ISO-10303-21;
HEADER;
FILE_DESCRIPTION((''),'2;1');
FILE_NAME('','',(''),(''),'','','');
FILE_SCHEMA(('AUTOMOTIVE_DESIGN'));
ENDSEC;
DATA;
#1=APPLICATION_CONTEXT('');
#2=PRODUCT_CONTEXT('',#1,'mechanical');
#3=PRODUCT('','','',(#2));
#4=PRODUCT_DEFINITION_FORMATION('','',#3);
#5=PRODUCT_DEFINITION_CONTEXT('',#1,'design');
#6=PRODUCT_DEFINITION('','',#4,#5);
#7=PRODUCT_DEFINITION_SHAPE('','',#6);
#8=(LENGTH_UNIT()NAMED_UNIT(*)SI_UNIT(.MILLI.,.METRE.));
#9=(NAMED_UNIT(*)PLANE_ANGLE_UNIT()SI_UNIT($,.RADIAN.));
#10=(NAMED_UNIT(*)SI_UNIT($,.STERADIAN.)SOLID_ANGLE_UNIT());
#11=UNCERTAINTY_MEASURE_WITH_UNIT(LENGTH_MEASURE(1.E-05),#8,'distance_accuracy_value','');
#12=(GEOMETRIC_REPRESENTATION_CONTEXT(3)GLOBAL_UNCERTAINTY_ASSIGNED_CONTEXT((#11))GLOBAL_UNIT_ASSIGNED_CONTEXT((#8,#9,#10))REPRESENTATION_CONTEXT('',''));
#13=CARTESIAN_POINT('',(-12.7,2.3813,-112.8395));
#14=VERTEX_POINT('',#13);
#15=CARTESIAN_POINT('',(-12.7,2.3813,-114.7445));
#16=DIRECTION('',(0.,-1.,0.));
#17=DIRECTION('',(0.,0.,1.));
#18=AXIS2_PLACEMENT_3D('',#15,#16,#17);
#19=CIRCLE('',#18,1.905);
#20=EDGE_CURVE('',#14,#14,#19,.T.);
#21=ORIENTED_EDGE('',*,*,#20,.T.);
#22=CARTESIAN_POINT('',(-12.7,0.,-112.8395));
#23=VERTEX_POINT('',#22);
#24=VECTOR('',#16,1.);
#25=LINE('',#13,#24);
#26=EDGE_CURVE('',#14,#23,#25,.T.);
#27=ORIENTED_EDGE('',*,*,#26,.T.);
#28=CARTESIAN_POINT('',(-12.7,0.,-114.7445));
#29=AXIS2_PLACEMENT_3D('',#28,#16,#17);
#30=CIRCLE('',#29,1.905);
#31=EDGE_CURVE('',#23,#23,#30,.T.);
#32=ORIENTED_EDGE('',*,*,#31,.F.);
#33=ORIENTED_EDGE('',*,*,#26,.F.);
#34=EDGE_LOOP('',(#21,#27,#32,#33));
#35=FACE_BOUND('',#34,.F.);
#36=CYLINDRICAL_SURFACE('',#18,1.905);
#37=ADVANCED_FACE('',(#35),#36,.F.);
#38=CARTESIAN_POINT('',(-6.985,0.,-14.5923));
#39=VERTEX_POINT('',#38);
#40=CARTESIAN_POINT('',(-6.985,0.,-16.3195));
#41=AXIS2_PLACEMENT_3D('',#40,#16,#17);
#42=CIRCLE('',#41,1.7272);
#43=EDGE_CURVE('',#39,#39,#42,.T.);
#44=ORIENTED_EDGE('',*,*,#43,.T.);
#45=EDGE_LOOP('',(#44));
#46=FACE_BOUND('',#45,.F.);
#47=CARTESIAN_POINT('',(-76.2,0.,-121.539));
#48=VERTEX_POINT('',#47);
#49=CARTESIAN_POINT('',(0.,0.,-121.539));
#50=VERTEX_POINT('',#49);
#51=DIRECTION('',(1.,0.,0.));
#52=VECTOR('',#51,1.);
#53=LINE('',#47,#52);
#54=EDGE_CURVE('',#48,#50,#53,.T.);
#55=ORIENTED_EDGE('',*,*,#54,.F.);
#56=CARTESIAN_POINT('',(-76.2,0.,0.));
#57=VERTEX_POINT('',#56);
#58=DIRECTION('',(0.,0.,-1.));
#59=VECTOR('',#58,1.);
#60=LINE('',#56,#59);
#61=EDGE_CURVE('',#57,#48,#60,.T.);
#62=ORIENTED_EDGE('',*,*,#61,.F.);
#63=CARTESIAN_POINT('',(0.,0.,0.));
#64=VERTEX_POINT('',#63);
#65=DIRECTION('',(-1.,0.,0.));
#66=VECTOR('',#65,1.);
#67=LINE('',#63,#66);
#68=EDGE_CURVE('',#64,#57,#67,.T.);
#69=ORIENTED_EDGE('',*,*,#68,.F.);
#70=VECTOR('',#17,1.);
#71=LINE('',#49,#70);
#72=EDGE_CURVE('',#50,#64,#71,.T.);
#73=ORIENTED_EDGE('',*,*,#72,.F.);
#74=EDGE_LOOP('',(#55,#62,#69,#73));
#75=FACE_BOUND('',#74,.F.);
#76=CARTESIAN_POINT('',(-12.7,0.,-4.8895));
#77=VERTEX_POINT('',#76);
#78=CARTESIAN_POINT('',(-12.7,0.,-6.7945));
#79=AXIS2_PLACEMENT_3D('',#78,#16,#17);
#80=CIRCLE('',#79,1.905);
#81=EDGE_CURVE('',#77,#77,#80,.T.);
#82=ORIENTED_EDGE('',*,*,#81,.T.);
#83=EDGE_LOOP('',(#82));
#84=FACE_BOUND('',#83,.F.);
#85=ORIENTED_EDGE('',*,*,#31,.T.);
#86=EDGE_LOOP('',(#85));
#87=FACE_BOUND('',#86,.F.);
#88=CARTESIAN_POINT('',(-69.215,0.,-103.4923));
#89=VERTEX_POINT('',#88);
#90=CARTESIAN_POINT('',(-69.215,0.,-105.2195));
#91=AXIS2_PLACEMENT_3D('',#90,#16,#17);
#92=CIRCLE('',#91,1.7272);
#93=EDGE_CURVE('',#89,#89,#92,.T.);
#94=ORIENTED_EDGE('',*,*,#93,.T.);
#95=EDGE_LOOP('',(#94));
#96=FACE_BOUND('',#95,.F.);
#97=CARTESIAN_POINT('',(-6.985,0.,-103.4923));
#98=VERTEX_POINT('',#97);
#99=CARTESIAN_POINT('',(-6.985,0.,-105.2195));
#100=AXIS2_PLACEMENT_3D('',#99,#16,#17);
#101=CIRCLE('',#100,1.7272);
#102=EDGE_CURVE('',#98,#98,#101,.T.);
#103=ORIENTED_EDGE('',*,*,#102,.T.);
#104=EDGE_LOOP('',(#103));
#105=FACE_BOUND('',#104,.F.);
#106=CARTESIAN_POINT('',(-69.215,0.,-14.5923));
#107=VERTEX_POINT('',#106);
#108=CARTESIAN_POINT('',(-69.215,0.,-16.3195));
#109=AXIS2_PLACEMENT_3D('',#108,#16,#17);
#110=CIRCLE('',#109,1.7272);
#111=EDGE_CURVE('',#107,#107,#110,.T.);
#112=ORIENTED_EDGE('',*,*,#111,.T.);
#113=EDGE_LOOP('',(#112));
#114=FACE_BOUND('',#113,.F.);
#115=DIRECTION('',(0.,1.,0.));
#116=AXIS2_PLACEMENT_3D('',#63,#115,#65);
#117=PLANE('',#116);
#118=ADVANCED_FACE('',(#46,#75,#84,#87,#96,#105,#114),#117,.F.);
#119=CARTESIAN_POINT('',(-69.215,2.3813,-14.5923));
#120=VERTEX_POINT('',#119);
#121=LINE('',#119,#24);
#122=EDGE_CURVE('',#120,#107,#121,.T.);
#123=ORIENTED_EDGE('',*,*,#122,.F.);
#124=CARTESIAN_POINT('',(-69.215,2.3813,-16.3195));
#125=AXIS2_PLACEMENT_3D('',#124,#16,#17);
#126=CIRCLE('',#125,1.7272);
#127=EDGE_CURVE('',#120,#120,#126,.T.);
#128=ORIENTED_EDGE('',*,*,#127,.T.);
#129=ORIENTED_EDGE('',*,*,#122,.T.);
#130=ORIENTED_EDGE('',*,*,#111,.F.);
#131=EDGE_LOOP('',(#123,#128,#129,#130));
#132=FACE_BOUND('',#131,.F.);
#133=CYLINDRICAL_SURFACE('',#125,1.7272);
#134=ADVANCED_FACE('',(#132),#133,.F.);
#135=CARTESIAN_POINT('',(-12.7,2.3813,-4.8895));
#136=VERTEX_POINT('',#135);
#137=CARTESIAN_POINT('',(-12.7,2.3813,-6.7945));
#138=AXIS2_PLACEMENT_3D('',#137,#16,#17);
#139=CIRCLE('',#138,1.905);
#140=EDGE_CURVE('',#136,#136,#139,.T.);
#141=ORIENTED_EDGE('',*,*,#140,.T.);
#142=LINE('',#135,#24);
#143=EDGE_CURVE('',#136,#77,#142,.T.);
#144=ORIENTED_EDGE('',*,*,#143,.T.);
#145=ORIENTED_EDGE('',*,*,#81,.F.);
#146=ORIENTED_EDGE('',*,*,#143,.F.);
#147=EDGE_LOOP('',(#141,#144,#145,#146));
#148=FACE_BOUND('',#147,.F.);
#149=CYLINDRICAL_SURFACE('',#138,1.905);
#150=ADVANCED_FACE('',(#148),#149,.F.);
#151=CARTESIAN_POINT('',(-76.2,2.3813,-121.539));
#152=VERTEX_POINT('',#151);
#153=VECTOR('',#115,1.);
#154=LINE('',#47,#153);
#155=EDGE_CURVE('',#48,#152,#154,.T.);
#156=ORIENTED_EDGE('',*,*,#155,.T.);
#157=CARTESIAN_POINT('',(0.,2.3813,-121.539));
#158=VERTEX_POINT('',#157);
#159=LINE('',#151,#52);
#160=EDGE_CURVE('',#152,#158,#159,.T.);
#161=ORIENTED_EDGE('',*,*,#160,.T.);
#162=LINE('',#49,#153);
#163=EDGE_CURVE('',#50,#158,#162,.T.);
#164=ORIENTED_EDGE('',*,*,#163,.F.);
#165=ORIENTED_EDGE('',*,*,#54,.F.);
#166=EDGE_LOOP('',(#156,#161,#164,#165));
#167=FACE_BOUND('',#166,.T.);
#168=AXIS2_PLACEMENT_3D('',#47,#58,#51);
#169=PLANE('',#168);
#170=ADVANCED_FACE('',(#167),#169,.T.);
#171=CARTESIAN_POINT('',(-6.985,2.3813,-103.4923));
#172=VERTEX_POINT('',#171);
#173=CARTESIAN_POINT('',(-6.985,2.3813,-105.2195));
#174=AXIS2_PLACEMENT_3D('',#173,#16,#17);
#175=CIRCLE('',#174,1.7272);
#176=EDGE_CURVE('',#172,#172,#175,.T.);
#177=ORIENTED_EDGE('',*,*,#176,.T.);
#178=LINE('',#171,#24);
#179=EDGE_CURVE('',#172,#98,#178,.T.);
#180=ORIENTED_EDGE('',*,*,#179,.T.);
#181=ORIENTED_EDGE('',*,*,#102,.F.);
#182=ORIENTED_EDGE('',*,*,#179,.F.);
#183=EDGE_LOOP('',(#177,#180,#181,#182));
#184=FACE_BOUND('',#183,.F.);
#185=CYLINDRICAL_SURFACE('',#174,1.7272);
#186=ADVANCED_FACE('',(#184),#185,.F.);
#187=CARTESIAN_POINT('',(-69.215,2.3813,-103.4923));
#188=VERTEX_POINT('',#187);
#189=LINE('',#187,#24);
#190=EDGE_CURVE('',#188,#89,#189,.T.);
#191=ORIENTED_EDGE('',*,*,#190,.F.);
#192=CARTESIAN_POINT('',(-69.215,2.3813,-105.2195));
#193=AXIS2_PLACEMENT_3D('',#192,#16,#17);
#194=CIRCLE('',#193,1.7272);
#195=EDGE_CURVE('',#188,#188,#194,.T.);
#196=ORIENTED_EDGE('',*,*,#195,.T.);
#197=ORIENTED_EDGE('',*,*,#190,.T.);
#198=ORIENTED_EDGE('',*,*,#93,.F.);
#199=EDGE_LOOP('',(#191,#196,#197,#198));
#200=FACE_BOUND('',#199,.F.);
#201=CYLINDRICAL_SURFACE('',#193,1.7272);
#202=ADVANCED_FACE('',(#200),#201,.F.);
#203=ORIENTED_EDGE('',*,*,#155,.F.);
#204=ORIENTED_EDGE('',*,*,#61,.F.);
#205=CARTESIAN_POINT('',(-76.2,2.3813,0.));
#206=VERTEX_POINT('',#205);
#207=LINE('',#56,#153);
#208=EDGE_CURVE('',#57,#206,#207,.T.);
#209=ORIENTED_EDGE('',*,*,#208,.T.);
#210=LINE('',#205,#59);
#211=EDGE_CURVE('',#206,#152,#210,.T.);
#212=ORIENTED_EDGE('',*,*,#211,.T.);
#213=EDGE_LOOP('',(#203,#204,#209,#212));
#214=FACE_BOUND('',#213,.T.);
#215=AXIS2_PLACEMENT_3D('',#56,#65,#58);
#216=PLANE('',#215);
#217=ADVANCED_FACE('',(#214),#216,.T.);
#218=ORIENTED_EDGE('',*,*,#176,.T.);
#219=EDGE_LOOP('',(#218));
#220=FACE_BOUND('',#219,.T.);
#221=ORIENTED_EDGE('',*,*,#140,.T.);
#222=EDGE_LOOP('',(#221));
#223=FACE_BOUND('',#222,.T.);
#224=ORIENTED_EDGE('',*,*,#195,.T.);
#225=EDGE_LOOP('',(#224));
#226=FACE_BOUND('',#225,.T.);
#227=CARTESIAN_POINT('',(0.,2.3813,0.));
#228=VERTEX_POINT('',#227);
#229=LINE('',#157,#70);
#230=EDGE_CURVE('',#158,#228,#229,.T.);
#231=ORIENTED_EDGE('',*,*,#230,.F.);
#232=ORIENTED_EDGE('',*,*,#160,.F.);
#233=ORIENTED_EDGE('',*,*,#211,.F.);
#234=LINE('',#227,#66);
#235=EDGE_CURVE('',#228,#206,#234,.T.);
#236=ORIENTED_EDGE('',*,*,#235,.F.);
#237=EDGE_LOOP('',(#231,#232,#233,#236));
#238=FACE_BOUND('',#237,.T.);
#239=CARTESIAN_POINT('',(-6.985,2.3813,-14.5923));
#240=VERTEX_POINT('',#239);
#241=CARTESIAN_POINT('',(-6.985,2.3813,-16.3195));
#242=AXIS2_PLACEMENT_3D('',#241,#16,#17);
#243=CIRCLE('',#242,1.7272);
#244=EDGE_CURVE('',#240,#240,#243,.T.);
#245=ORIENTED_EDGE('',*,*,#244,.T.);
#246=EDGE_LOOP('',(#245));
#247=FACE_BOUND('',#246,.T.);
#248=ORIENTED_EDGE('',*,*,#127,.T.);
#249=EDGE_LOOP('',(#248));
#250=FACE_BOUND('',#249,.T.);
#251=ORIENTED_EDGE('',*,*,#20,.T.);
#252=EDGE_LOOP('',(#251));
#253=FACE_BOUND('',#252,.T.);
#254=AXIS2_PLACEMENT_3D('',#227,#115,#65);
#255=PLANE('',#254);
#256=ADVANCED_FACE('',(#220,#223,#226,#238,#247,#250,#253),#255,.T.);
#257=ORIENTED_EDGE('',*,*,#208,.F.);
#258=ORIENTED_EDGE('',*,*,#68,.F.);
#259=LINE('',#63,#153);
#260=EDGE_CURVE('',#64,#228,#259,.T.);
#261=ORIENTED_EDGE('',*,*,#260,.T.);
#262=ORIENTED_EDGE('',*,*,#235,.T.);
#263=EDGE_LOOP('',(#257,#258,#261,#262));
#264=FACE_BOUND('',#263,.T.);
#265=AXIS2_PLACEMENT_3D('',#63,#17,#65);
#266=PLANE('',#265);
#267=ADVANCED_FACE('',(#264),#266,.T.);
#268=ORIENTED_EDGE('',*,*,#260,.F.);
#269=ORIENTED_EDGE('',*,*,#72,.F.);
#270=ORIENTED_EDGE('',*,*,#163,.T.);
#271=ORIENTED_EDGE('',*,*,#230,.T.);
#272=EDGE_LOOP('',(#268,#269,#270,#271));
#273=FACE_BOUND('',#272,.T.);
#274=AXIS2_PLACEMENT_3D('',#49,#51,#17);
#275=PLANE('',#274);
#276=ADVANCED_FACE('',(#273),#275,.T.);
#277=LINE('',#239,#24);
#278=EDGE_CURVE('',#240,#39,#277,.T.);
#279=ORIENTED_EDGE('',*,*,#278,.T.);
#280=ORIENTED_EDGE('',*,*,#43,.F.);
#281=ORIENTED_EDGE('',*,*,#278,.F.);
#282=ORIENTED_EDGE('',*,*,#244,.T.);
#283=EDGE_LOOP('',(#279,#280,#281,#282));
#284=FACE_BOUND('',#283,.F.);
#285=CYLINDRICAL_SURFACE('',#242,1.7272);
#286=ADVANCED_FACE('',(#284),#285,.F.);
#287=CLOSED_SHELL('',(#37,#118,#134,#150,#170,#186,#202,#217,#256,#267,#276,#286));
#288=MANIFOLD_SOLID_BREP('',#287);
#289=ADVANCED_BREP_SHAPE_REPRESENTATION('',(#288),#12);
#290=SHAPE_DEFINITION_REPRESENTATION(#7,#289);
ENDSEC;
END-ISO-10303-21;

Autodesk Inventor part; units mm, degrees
ref_plane "YZ Plane" through (0, 0, 0) normal (1, 0, 0) x (0, 1, 0)
ref_plane "XZ Plane" through (0, 0, 0) normal (0, 1, 0) x (-1, 0, 0)
ref_plane "XY Plane" through (0, 0, 0) normal (0, 0, 1) x (1, 0, 0)
sketch "Sketch1" plane through (0, 0, 0) normal (0, 1, 0) x (-1, 0, 0)
  line L0 (0, 0) -> (76.2, 0)
  line L1 (76.2, 0) -> (76.2, -121.539)
  line L2 (76.2, -121.539) -> (0, -121.539)
  line L3 (0, -121.539) -> (0, 0)
  dimension "d0" = 76.2
  dimension "d1" = 121.539
extrude "Extrusion1" add sketch "Sketch1" along normal blind 2.3813
sketch "Sketch2" plane through (0, 2.3813, 0) normal (0, 1, 0) x (1, 0, 0)
  line L0 (-6.985, -6.7053) -> (-6.985, 140.88) construction
  line L1 (-69.215, -6.7053) -> (-69.215, 134.4303) construction
  line L2 (-84.4429, 16.3195) -> (15.1684, 16.3195) construction
  line L3 (-82.9542, 105.2195) -> (32.716, 105.2195) construction
  line L4 (-85.3039, 60.7695) -> (24.2122, 60.7695) construction
  line L5 (-38.1, -11.6346) -> (-38.1, 148.7845) construction
  line L6 (-76.2, 121.539) -> (-76.2, 0) construction
  line L7 (-76.2, 0) -> (0, 0) construction
  point P0 (-76.2, 60.7695)
  point P1 (-38.1, 0)
  point P2 (-69.215, 16.3195)
  point P3 (-6.985, 16.3195)
  point P4 (-6.985, 105.2195)
  point P5 (-69.215, 105.2195)
  dimension "d4" = 88.9
  dimension "d5" = 62.23
hole "Hole1" at (-69.215, 2.3813, -16.3195) at (-6.985, 2.3813, -16.3195) at (-6.985, 2.3813, -105.2195) at (-69.215, 2.3813, -105.2195) direction (0, -1, 0) diameter 3.4544 depth 25.4 tip angle 118 clearance for "Flat Head Machine Screw (82)" size "#5" standard "Ansi Unified Screw Threads"
sketch "Sketch3" plane through (0, 2.3813, 0) normal (0, 1, 0) x (1, 0, 0)
  line L0 (-12.7, -7.2404) -> (-12.7, 131.1471) construction
  line L1 (0, 0) -> (0, 121.539) construction
  line L2 (-88.3446, 60.7695) -> (40.5312, 60.7695) construction
  point P0 (-12.7, 6.7945)
  point P1 (-12.7, 114.7445)
  point P2 (0, 60.7695)
  dimension "d13" = 12.7
  dimension "d14" = 107.95
hole "Hole2" at (-12.7, 2.3813, -6.7945) at (-12.7, 2.3813, -114.7445) direction (0, -1, 0) diameter 3.81 depth 25.4 tip angle 118 clearance for "Flat Head Machine Screw (82)" size "#6" standard "Ansi Unified Screw Threads"
properties part number "redboard_plate"
